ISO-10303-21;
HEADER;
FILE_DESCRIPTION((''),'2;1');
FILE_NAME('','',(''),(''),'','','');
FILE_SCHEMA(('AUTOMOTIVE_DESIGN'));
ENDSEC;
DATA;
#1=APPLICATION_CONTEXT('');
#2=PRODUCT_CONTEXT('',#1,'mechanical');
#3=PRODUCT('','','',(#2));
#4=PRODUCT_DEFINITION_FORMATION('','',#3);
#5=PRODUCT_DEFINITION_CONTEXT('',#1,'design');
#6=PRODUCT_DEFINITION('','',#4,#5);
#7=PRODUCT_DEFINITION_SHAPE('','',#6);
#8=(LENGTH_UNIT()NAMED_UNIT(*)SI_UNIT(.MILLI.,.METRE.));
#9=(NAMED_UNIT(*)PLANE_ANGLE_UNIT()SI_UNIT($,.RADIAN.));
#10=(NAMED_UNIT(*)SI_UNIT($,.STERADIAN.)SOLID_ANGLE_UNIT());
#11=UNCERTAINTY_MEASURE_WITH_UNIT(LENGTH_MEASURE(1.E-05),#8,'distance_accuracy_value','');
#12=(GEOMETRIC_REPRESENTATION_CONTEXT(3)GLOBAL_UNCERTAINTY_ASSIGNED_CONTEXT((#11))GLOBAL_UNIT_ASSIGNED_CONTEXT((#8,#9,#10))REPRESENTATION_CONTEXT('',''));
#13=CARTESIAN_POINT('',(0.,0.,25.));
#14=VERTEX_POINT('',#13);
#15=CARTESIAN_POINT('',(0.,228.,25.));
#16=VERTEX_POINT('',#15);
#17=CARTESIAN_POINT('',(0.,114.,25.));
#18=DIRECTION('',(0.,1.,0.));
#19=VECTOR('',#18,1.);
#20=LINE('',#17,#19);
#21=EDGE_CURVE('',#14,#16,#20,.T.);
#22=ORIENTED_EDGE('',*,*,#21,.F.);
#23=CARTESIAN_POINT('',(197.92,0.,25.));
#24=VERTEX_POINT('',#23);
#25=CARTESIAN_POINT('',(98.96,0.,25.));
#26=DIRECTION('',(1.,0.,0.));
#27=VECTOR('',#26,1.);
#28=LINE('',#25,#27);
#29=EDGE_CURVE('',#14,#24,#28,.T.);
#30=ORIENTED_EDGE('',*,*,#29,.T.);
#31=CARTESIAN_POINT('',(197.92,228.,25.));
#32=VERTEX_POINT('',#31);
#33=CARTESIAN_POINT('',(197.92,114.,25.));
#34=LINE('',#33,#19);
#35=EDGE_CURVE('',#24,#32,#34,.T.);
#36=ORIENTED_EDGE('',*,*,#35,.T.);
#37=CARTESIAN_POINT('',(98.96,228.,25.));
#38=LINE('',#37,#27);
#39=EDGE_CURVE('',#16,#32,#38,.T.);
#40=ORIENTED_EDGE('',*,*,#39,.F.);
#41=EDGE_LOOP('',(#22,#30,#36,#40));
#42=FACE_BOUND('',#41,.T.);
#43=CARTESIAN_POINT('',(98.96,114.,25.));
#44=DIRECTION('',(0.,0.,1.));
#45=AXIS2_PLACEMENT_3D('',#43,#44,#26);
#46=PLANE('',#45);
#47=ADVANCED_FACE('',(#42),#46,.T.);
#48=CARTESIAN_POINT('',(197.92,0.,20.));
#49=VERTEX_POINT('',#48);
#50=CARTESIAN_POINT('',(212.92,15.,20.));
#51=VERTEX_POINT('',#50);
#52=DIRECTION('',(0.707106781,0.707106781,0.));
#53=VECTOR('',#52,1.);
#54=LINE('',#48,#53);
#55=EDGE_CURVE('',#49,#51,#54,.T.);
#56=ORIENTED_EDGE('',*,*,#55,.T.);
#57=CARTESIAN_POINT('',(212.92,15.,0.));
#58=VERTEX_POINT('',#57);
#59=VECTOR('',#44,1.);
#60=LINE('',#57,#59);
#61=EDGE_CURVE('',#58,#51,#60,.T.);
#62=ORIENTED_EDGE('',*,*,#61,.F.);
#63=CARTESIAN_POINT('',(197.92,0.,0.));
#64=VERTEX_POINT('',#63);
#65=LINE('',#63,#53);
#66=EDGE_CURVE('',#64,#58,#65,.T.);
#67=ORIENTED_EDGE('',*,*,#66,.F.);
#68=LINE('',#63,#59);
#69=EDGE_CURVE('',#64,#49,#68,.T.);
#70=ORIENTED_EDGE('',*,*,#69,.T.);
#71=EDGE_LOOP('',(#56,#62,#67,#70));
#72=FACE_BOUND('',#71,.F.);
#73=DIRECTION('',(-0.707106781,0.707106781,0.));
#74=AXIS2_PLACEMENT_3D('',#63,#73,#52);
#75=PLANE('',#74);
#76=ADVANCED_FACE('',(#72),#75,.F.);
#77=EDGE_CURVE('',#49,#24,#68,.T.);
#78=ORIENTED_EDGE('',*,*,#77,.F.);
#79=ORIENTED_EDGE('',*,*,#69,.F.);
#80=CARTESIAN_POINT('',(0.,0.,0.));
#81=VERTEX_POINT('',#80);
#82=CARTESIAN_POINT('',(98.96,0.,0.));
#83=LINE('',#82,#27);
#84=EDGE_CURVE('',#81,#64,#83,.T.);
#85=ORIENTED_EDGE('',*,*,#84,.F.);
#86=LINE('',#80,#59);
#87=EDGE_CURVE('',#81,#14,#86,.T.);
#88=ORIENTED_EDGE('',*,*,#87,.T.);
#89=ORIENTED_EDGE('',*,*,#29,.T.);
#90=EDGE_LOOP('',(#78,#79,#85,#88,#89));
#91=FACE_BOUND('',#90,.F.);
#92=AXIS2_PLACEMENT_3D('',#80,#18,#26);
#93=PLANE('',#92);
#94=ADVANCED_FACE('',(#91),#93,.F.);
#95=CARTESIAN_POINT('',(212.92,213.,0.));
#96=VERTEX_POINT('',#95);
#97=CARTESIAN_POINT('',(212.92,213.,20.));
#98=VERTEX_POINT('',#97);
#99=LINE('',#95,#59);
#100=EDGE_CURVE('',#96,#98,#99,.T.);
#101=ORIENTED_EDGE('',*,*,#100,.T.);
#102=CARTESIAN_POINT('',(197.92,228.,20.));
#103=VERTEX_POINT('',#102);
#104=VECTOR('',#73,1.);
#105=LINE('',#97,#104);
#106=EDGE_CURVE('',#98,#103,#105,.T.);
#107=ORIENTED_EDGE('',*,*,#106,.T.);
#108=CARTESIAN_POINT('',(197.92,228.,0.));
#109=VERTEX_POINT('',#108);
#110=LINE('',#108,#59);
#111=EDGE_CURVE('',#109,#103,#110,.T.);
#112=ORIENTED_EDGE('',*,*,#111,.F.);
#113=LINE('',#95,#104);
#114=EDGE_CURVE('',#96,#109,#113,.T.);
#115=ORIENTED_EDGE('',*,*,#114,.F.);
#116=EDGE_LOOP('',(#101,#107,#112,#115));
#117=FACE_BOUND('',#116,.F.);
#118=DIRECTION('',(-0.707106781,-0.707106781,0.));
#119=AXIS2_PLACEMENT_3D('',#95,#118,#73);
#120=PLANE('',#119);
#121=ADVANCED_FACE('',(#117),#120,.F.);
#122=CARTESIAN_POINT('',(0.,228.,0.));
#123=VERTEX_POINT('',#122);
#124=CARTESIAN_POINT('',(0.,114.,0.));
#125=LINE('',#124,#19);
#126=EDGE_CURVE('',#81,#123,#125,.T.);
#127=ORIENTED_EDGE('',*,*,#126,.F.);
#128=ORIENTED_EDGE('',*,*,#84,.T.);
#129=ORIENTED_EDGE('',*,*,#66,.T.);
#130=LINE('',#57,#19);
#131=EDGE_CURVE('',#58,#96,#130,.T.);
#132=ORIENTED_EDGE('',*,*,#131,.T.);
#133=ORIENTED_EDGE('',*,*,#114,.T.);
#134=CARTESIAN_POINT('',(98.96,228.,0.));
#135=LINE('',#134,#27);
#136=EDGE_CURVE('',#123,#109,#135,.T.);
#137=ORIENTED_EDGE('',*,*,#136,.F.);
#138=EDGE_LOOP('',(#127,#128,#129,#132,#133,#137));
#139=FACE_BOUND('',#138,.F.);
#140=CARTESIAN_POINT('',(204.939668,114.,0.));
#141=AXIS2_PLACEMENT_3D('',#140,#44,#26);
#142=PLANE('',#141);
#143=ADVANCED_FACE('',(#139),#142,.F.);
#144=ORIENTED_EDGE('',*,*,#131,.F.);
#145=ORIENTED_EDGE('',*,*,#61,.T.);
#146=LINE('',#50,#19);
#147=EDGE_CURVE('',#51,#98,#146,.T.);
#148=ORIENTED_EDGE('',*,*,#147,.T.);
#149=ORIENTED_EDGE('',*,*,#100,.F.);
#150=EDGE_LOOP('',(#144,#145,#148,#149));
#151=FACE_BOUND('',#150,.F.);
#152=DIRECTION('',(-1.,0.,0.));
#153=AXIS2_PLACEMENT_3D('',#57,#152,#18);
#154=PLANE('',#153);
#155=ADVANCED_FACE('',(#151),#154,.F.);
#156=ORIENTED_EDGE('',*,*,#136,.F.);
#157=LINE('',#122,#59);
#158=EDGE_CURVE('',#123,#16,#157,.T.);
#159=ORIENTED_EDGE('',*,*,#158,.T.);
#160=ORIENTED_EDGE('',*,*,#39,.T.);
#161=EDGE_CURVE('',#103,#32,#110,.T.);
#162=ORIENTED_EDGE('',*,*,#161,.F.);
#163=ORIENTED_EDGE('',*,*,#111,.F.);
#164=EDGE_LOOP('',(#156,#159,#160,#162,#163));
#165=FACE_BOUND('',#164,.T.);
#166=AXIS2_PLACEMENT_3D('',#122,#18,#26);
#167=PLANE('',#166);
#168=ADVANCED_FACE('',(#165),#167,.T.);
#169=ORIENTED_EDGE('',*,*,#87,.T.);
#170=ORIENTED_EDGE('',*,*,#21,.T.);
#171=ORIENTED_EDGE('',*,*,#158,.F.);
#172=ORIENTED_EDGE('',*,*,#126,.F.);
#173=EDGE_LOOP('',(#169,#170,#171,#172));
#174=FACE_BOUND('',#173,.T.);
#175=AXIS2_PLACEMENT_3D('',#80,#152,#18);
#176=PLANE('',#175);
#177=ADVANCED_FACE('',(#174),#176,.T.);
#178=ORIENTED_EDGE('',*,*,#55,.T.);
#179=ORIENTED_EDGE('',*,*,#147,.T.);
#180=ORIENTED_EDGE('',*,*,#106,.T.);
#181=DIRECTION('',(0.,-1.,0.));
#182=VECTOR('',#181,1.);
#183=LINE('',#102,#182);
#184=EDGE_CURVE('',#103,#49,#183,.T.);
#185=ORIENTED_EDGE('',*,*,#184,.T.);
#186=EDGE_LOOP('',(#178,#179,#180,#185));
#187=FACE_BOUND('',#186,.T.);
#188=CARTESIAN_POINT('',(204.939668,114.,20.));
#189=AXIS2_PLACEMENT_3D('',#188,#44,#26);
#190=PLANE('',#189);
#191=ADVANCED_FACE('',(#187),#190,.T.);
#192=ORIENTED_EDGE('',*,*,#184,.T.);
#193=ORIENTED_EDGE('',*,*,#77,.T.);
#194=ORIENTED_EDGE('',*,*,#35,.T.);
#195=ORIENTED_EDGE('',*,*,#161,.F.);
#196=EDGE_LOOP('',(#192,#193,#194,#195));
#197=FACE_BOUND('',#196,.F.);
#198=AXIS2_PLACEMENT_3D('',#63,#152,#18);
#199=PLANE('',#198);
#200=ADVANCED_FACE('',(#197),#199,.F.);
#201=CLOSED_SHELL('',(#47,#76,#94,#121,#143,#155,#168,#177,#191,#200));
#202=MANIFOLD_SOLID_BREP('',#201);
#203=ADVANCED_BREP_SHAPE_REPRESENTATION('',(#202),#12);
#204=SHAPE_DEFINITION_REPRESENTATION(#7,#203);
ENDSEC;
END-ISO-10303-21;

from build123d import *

# Parameters (mm, degrees)
F0_W     = 197.92
F0_H     = 228
F1_DEPTH = 25
F2_DEPTH = 20


with BuildPart() as f1:
    # F0 (on Top) → F1 (new body)
    with BuildSketch(Plane.XY):
        with Locations((98.96, 114)):
            Rectangle(F0_W, F0_H)
    extrude(amount=F1_DEPTH)

    # F0 (on Top) → F2 (join)
    with BuildSketch(Plane.XY):
        Polygon((197.92, 228), (197.92, 0), (212.92, 15), (212.92, 213), align=None)
    extrude(amount=F2_DEPTH)


solid = f1.part
